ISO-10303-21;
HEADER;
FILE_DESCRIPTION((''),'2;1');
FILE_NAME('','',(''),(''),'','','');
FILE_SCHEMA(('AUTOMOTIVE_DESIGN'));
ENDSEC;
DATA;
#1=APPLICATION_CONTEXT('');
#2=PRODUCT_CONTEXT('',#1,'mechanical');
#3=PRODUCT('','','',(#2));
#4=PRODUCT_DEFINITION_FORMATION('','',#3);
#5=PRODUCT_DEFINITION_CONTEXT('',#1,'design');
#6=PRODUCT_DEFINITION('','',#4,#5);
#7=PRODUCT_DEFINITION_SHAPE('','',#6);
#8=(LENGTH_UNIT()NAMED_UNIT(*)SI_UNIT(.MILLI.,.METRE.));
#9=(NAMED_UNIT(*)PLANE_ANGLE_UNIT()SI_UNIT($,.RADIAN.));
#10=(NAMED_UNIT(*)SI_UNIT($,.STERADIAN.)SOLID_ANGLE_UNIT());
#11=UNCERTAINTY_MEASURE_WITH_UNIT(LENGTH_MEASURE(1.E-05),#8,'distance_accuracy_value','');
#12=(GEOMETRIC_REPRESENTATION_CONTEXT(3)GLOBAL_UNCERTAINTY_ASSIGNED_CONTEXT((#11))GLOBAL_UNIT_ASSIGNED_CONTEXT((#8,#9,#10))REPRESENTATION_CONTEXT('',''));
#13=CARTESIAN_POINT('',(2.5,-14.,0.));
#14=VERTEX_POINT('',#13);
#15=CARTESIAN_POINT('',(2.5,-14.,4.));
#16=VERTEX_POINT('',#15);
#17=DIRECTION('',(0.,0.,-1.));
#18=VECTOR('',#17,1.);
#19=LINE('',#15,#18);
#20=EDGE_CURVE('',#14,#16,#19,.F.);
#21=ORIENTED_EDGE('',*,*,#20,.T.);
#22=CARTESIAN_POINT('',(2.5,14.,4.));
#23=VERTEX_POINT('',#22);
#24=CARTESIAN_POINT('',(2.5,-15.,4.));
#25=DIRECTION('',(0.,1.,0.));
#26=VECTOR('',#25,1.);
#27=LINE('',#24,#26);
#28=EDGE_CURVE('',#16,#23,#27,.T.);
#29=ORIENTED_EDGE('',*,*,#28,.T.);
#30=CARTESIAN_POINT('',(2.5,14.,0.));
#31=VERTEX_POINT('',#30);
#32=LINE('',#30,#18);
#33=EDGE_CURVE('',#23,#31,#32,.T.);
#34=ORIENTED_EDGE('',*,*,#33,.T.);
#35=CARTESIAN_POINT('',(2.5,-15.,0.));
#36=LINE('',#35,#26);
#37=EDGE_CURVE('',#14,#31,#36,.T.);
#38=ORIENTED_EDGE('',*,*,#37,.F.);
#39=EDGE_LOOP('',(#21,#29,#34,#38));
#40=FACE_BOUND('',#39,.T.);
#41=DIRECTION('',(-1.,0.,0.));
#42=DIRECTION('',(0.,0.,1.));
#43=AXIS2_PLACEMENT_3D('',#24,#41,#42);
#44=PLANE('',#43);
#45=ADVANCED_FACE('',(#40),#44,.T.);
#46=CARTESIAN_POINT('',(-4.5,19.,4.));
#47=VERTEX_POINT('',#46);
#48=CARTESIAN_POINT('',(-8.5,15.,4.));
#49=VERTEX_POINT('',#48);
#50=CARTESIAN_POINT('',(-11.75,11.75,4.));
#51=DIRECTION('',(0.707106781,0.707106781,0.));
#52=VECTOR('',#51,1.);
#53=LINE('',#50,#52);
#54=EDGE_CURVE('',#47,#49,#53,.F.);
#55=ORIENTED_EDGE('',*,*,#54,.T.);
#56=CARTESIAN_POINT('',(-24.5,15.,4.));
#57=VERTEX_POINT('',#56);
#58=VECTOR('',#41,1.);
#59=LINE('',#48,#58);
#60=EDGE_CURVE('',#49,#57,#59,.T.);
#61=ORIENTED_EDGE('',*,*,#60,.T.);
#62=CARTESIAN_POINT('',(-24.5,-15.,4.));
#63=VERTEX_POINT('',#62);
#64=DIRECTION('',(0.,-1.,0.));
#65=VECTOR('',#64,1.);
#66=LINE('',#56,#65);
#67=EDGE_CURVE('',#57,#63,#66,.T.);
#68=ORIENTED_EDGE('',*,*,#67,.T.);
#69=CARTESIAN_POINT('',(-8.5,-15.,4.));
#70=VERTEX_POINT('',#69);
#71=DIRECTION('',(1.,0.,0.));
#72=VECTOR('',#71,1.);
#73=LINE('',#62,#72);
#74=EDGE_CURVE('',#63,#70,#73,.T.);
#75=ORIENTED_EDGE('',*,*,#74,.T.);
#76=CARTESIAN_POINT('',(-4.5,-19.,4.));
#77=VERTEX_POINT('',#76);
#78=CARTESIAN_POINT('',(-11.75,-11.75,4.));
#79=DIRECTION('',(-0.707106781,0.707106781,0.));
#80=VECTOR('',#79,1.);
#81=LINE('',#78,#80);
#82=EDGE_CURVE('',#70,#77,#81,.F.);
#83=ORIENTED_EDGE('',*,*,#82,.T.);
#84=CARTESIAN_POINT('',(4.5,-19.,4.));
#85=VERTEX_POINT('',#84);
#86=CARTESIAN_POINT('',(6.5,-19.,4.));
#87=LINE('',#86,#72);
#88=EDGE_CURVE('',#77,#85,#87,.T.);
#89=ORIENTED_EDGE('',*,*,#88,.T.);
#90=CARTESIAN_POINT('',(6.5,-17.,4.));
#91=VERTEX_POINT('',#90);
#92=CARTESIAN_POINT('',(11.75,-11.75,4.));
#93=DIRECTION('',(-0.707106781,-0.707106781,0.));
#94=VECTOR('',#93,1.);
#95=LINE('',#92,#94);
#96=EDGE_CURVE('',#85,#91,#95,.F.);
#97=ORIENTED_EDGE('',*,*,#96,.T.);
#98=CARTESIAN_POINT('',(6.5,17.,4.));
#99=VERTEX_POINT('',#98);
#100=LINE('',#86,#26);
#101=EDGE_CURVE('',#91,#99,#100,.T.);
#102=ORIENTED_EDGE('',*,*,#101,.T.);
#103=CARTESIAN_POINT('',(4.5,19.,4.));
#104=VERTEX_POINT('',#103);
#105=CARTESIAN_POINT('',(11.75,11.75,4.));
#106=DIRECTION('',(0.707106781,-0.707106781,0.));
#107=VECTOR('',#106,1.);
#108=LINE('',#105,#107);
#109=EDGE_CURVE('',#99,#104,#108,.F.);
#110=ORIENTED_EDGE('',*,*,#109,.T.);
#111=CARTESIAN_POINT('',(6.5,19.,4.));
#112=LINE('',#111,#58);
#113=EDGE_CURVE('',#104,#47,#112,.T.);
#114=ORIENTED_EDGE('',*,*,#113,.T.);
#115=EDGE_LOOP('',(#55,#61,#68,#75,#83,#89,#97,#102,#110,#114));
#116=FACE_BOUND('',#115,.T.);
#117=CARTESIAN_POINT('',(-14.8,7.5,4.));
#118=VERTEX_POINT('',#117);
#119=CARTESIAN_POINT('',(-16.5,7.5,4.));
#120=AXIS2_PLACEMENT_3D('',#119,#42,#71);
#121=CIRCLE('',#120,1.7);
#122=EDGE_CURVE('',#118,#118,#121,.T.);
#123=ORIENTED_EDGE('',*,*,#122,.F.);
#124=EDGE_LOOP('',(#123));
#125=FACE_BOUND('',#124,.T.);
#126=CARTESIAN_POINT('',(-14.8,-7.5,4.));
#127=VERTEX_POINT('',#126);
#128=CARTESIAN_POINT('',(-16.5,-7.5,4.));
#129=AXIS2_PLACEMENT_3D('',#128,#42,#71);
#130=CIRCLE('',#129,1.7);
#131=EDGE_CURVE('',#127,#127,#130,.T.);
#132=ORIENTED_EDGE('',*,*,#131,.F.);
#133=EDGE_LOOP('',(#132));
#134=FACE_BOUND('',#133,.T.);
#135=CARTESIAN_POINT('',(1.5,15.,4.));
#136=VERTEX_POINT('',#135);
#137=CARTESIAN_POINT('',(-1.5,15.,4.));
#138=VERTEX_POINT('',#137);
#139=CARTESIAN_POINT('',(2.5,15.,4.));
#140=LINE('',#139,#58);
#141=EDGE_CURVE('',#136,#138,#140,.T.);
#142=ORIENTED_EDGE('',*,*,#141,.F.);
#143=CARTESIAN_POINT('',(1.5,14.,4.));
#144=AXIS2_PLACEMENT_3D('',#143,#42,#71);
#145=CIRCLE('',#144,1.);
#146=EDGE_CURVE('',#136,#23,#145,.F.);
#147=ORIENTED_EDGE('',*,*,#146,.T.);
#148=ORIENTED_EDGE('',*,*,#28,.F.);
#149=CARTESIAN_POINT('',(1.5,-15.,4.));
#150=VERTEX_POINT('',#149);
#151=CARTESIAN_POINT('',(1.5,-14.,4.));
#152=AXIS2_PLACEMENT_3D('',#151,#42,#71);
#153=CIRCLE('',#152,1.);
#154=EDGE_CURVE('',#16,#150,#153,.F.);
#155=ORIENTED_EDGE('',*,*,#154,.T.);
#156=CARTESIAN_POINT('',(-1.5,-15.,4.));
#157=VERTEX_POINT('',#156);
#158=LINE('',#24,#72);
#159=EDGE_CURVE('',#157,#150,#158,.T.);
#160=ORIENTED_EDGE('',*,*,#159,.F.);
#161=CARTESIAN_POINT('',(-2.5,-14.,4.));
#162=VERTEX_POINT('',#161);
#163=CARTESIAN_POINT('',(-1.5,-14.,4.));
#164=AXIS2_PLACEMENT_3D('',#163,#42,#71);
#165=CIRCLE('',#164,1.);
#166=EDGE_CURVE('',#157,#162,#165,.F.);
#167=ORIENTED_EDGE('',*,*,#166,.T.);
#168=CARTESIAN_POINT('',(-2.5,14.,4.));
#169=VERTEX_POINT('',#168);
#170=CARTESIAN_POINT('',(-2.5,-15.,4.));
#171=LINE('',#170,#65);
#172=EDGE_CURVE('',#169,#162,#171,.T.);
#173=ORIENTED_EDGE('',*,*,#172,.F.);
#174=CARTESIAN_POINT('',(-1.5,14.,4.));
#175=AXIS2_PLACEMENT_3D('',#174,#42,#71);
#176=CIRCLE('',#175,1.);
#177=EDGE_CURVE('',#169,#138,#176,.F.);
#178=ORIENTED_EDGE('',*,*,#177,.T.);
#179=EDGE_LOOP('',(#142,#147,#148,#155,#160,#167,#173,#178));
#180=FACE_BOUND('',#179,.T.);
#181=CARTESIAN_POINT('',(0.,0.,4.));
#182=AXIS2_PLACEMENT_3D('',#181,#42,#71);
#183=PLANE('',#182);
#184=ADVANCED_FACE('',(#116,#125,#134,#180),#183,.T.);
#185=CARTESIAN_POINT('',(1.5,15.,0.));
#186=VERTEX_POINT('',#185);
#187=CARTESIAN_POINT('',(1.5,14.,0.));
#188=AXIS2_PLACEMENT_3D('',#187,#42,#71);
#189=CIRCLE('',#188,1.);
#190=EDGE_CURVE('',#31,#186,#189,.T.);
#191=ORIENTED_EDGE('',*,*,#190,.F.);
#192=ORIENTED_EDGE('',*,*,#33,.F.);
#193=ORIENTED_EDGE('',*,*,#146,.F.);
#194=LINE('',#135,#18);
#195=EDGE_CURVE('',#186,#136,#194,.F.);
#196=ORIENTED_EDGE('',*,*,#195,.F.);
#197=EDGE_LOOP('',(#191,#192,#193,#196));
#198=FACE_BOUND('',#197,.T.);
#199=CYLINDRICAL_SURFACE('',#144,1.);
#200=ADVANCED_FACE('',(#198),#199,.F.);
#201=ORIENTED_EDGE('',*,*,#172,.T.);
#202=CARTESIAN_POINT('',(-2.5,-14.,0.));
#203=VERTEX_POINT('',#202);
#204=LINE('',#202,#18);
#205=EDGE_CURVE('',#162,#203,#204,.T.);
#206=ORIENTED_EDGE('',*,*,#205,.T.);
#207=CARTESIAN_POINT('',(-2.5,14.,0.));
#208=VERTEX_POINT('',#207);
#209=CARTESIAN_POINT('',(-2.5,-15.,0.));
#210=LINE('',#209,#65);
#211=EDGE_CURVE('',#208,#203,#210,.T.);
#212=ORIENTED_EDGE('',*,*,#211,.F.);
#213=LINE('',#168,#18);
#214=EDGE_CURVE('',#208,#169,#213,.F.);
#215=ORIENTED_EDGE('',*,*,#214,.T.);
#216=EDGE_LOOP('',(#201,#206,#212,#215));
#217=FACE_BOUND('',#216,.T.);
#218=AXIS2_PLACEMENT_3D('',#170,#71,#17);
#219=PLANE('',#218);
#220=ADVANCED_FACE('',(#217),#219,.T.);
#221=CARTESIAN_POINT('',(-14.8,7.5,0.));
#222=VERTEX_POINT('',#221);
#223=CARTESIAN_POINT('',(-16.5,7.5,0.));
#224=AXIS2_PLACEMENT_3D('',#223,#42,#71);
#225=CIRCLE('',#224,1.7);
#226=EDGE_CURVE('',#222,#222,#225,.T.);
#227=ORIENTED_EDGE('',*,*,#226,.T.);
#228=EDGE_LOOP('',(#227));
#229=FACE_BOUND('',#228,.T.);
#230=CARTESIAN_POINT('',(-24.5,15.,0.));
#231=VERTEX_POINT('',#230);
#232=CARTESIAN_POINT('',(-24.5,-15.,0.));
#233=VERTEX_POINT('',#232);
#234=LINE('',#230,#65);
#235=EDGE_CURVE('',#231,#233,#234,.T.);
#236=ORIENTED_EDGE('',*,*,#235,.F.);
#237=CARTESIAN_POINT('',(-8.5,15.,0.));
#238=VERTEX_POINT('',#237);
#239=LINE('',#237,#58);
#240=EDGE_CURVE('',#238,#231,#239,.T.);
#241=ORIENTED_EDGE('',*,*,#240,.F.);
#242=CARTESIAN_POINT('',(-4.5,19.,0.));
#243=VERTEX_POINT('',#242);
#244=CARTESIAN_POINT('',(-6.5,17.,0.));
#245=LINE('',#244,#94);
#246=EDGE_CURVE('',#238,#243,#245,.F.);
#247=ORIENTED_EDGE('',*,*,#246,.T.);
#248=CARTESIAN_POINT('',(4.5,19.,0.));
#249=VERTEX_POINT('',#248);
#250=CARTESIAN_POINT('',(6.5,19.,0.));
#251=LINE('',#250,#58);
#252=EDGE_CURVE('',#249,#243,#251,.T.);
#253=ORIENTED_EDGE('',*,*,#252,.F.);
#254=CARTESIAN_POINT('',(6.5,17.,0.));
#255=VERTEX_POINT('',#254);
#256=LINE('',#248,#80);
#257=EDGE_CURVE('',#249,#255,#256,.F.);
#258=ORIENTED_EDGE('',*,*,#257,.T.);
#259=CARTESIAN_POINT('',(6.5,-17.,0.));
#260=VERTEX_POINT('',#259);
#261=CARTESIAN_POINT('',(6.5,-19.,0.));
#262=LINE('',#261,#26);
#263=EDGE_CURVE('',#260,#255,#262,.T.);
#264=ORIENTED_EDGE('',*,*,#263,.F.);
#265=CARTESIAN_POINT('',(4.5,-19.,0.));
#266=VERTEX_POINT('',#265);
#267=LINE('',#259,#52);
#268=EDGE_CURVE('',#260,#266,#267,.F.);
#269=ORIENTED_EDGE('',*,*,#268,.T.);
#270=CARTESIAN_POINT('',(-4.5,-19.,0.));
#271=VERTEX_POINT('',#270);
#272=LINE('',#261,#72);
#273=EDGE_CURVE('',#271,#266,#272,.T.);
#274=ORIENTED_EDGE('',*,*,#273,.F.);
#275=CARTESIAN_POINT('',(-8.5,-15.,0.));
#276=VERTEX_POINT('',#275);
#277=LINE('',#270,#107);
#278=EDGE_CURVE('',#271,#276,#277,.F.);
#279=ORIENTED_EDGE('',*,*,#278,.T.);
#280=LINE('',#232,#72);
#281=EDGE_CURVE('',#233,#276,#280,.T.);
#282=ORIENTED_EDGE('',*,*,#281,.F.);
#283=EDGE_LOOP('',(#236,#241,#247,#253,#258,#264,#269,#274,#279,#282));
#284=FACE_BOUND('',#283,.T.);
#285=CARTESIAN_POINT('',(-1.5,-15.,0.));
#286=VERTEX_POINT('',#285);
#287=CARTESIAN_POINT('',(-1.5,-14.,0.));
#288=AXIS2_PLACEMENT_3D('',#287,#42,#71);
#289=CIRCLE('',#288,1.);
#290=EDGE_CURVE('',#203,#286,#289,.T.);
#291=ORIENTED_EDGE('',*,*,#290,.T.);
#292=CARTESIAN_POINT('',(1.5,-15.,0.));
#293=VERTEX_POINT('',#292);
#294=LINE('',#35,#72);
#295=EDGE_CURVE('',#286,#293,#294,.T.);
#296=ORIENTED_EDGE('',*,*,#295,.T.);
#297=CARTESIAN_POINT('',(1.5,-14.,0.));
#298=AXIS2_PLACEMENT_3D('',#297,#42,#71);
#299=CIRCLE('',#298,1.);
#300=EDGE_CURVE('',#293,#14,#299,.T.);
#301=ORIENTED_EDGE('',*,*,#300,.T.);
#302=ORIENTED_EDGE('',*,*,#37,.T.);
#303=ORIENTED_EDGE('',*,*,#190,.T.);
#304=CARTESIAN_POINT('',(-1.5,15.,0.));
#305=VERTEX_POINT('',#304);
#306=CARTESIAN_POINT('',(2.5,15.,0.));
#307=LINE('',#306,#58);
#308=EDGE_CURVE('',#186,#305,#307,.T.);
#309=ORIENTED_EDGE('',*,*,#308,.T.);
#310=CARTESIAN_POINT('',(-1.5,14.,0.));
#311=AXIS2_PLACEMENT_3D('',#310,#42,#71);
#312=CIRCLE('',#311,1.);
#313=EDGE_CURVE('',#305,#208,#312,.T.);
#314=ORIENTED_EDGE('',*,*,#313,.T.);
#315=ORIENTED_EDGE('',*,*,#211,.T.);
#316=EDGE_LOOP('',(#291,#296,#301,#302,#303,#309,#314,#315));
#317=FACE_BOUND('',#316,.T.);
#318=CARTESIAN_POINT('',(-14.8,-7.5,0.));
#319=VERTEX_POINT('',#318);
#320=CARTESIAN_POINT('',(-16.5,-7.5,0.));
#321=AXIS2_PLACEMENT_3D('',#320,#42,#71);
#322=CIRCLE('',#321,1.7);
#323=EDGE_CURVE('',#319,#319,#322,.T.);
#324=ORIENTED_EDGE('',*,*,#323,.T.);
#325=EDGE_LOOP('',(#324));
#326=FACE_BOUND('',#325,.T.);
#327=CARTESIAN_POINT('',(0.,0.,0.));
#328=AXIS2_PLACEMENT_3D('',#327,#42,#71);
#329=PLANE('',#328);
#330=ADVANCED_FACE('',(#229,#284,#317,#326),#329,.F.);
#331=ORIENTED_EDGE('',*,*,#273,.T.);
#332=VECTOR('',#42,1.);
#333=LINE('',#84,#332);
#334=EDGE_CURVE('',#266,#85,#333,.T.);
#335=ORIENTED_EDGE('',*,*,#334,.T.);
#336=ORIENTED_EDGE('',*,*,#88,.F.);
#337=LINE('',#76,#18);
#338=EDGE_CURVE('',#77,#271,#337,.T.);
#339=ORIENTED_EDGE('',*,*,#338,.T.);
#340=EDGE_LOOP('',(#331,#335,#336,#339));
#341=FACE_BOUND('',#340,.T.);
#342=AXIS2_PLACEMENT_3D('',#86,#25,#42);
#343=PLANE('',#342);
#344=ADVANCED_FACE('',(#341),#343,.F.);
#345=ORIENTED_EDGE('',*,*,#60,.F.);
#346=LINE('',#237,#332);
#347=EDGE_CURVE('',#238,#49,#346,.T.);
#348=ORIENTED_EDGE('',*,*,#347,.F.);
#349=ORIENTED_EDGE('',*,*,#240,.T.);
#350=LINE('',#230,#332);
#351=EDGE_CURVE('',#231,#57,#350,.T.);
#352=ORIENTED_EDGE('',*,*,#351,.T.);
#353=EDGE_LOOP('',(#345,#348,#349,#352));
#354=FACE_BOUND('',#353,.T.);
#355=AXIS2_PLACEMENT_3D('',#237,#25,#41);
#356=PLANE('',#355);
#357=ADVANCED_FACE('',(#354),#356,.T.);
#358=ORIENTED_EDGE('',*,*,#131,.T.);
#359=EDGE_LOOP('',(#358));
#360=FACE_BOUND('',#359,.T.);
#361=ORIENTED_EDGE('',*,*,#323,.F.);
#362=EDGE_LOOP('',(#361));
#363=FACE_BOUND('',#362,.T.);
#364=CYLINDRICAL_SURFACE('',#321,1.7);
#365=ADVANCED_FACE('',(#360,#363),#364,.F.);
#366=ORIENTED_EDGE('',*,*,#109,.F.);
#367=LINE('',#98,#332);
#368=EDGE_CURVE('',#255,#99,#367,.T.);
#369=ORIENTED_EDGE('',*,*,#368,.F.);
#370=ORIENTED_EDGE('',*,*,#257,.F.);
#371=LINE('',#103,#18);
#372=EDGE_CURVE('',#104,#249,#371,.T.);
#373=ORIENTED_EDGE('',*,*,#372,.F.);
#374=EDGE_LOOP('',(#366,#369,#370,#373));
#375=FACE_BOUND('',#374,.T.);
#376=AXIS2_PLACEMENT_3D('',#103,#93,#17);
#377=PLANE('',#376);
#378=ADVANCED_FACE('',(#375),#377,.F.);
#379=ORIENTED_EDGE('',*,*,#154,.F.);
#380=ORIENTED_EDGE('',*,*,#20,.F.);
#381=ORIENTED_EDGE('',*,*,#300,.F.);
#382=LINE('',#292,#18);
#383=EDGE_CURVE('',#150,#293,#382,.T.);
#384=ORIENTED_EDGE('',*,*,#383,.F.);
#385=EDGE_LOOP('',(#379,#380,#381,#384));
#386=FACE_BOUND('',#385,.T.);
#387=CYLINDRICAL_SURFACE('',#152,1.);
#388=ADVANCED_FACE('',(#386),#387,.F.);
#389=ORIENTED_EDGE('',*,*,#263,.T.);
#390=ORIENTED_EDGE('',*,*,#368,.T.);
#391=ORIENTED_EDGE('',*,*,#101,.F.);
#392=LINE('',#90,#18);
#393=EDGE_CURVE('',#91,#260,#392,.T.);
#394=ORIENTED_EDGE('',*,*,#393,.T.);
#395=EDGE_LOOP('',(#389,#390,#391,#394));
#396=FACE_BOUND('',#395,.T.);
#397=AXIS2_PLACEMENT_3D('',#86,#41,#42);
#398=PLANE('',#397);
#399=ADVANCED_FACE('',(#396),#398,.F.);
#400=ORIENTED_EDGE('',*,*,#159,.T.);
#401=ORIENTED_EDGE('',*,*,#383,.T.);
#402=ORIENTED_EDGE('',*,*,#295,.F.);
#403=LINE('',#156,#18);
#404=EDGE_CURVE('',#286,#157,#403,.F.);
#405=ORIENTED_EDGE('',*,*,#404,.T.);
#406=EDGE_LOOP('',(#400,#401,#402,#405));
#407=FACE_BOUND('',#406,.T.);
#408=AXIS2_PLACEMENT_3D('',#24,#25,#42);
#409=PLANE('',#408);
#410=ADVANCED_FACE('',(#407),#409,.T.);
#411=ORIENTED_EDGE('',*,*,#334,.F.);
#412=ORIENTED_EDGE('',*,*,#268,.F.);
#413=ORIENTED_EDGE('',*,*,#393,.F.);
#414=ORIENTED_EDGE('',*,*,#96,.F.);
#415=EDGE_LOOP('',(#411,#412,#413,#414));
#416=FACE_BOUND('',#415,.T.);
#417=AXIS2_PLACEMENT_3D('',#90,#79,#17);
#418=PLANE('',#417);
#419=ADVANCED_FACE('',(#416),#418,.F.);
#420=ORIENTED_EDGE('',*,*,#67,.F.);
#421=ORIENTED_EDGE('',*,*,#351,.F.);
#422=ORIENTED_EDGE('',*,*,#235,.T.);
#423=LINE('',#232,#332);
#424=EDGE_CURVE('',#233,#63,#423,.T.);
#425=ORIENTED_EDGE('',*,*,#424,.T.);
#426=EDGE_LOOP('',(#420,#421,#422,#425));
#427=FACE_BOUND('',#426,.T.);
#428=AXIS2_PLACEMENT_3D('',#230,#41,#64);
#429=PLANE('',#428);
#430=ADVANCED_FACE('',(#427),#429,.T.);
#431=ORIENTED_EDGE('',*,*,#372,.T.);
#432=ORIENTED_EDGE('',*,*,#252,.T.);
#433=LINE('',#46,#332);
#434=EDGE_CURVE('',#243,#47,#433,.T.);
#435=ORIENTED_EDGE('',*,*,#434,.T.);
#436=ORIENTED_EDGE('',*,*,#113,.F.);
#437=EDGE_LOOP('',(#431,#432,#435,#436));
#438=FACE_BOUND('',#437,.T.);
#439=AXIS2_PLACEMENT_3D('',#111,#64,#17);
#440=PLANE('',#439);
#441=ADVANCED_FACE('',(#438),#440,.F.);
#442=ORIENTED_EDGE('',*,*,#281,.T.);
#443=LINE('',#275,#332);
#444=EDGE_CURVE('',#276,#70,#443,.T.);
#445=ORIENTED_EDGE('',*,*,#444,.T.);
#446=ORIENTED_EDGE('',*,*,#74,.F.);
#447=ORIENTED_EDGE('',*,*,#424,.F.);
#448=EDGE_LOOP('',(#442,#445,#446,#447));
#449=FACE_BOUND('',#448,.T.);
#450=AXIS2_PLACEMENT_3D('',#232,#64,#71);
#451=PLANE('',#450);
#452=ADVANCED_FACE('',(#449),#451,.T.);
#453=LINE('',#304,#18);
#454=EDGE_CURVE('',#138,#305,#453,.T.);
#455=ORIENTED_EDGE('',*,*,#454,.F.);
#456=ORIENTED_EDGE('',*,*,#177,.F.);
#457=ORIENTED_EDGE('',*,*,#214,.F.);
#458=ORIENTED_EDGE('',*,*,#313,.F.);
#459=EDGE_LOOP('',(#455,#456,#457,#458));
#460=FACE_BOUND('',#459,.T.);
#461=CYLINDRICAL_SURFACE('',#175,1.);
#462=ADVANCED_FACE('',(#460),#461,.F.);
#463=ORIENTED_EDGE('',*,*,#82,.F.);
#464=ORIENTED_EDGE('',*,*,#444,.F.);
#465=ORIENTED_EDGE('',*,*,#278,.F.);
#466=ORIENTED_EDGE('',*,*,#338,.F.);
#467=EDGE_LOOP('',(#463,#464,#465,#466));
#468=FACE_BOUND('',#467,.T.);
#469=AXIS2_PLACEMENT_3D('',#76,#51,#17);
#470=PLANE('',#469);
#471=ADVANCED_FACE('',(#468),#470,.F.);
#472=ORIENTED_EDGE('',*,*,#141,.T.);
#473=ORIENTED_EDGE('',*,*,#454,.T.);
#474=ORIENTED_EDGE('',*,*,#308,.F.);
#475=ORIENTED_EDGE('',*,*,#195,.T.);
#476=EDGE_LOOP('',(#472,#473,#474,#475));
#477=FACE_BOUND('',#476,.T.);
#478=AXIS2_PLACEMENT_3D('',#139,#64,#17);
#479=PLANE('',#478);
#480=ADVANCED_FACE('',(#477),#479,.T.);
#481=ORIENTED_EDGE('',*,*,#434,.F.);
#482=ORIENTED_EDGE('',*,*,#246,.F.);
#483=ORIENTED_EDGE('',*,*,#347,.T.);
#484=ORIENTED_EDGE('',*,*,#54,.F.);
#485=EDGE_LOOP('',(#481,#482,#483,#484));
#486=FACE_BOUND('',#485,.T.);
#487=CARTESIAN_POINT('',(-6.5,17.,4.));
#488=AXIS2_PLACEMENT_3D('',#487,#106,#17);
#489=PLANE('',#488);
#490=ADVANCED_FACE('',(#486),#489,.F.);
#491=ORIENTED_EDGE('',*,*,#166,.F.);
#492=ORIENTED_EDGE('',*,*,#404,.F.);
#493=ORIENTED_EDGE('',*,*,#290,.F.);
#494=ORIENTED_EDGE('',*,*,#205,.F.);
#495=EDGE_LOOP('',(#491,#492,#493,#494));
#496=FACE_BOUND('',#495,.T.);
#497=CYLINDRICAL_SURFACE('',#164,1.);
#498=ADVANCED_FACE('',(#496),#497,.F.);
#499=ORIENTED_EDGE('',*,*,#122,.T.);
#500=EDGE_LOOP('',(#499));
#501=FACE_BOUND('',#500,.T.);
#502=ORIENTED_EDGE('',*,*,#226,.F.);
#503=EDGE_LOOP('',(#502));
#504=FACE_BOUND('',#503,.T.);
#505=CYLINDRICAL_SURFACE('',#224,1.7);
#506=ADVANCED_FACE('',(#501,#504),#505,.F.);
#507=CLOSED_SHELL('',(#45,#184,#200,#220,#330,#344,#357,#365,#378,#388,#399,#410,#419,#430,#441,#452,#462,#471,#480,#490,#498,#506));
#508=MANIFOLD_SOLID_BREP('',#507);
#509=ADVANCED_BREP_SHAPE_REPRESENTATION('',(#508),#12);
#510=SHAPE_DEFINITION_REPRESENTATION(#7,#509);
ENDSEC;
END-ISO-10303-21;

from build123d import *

# Parameters (mm, degrees)
SKETCH1_W                = 13
SKETCH1_H                = 38
SKETCH1_W_2              = 5
SKETCH1_H_2              = 30
BOSS_EXTRUDE1_DEPTH      = 4
CHAMFER1_SIZE            = 2
BOSS_EXTRUDE2_DEPTH      = 2
BOSS_EXTRUDE2_DEPTH_BACK = 2
SKETCH2_R                = 1.7
FILLET2_R                = 1


with BuildPart() as part:
    # Sketch1 → Boss-Extrude1 (new body)
    with BuildSketch(Plane.XY):
        Rectangle(SKETCH1_W, SKETCH1_H)
        Rectangle(SKETCH1_W_2, SKETCH1_H_2, mode=Mode.SUBTRACT)
    extrude(amount=BOSS_EXTRUDE1_DEPTH)

    # Chamfer1
    chamfer1_edges = [part.edges().sort_by_distance(p)[0] for p in [
        (-6.5, 19, 2),
        (6.5, 19, 2),
        (6.5, -19, 2),
        (-6.5, -19, 2),
    ]]
    chamfer(chamfer1_edges, length=CHAMFER1_SIZE)

    # Sketch2 → Boss-Extrude2 (add, two sides: drawn at the far end of the back side and taken through both)
    with BuildSketch(Plane.XY.offset(2).offset(-BOSS_EXTRUDE2_DEPTH_BACK)):
        Polygon((-6.5, 17), (-8.5, 15), (-24.5, 15), (-24.5, -15), (-8.5, -15), (-6.5, -17), align=None)
        with Locations((-16.5, 7.5)):
            Circle(SKETCH2_R, mode=Mode.SUBTRACT)
        with Locations((-16.5, -7.5)):
            Circle(SKETCH2_R, mode=Mode.SUBTRACT)
    extrude(amount=BOSS_EXTRUDE2_DEPTH + BOSS_EXTRUDE2_DEPTH_BACK)

    # Fillet2
    fillet2_edges = [part.edges().sort_by_distance(p)[0] for p in [
        (-2.5, -15, 2),
        (2.5, -15, 2),
        (2.5, 15, 2),
        (-2.5, 15, 2),
    ]]
    fillet(fillet2_edges, radius=FILLET2_R)


solid = part.part
